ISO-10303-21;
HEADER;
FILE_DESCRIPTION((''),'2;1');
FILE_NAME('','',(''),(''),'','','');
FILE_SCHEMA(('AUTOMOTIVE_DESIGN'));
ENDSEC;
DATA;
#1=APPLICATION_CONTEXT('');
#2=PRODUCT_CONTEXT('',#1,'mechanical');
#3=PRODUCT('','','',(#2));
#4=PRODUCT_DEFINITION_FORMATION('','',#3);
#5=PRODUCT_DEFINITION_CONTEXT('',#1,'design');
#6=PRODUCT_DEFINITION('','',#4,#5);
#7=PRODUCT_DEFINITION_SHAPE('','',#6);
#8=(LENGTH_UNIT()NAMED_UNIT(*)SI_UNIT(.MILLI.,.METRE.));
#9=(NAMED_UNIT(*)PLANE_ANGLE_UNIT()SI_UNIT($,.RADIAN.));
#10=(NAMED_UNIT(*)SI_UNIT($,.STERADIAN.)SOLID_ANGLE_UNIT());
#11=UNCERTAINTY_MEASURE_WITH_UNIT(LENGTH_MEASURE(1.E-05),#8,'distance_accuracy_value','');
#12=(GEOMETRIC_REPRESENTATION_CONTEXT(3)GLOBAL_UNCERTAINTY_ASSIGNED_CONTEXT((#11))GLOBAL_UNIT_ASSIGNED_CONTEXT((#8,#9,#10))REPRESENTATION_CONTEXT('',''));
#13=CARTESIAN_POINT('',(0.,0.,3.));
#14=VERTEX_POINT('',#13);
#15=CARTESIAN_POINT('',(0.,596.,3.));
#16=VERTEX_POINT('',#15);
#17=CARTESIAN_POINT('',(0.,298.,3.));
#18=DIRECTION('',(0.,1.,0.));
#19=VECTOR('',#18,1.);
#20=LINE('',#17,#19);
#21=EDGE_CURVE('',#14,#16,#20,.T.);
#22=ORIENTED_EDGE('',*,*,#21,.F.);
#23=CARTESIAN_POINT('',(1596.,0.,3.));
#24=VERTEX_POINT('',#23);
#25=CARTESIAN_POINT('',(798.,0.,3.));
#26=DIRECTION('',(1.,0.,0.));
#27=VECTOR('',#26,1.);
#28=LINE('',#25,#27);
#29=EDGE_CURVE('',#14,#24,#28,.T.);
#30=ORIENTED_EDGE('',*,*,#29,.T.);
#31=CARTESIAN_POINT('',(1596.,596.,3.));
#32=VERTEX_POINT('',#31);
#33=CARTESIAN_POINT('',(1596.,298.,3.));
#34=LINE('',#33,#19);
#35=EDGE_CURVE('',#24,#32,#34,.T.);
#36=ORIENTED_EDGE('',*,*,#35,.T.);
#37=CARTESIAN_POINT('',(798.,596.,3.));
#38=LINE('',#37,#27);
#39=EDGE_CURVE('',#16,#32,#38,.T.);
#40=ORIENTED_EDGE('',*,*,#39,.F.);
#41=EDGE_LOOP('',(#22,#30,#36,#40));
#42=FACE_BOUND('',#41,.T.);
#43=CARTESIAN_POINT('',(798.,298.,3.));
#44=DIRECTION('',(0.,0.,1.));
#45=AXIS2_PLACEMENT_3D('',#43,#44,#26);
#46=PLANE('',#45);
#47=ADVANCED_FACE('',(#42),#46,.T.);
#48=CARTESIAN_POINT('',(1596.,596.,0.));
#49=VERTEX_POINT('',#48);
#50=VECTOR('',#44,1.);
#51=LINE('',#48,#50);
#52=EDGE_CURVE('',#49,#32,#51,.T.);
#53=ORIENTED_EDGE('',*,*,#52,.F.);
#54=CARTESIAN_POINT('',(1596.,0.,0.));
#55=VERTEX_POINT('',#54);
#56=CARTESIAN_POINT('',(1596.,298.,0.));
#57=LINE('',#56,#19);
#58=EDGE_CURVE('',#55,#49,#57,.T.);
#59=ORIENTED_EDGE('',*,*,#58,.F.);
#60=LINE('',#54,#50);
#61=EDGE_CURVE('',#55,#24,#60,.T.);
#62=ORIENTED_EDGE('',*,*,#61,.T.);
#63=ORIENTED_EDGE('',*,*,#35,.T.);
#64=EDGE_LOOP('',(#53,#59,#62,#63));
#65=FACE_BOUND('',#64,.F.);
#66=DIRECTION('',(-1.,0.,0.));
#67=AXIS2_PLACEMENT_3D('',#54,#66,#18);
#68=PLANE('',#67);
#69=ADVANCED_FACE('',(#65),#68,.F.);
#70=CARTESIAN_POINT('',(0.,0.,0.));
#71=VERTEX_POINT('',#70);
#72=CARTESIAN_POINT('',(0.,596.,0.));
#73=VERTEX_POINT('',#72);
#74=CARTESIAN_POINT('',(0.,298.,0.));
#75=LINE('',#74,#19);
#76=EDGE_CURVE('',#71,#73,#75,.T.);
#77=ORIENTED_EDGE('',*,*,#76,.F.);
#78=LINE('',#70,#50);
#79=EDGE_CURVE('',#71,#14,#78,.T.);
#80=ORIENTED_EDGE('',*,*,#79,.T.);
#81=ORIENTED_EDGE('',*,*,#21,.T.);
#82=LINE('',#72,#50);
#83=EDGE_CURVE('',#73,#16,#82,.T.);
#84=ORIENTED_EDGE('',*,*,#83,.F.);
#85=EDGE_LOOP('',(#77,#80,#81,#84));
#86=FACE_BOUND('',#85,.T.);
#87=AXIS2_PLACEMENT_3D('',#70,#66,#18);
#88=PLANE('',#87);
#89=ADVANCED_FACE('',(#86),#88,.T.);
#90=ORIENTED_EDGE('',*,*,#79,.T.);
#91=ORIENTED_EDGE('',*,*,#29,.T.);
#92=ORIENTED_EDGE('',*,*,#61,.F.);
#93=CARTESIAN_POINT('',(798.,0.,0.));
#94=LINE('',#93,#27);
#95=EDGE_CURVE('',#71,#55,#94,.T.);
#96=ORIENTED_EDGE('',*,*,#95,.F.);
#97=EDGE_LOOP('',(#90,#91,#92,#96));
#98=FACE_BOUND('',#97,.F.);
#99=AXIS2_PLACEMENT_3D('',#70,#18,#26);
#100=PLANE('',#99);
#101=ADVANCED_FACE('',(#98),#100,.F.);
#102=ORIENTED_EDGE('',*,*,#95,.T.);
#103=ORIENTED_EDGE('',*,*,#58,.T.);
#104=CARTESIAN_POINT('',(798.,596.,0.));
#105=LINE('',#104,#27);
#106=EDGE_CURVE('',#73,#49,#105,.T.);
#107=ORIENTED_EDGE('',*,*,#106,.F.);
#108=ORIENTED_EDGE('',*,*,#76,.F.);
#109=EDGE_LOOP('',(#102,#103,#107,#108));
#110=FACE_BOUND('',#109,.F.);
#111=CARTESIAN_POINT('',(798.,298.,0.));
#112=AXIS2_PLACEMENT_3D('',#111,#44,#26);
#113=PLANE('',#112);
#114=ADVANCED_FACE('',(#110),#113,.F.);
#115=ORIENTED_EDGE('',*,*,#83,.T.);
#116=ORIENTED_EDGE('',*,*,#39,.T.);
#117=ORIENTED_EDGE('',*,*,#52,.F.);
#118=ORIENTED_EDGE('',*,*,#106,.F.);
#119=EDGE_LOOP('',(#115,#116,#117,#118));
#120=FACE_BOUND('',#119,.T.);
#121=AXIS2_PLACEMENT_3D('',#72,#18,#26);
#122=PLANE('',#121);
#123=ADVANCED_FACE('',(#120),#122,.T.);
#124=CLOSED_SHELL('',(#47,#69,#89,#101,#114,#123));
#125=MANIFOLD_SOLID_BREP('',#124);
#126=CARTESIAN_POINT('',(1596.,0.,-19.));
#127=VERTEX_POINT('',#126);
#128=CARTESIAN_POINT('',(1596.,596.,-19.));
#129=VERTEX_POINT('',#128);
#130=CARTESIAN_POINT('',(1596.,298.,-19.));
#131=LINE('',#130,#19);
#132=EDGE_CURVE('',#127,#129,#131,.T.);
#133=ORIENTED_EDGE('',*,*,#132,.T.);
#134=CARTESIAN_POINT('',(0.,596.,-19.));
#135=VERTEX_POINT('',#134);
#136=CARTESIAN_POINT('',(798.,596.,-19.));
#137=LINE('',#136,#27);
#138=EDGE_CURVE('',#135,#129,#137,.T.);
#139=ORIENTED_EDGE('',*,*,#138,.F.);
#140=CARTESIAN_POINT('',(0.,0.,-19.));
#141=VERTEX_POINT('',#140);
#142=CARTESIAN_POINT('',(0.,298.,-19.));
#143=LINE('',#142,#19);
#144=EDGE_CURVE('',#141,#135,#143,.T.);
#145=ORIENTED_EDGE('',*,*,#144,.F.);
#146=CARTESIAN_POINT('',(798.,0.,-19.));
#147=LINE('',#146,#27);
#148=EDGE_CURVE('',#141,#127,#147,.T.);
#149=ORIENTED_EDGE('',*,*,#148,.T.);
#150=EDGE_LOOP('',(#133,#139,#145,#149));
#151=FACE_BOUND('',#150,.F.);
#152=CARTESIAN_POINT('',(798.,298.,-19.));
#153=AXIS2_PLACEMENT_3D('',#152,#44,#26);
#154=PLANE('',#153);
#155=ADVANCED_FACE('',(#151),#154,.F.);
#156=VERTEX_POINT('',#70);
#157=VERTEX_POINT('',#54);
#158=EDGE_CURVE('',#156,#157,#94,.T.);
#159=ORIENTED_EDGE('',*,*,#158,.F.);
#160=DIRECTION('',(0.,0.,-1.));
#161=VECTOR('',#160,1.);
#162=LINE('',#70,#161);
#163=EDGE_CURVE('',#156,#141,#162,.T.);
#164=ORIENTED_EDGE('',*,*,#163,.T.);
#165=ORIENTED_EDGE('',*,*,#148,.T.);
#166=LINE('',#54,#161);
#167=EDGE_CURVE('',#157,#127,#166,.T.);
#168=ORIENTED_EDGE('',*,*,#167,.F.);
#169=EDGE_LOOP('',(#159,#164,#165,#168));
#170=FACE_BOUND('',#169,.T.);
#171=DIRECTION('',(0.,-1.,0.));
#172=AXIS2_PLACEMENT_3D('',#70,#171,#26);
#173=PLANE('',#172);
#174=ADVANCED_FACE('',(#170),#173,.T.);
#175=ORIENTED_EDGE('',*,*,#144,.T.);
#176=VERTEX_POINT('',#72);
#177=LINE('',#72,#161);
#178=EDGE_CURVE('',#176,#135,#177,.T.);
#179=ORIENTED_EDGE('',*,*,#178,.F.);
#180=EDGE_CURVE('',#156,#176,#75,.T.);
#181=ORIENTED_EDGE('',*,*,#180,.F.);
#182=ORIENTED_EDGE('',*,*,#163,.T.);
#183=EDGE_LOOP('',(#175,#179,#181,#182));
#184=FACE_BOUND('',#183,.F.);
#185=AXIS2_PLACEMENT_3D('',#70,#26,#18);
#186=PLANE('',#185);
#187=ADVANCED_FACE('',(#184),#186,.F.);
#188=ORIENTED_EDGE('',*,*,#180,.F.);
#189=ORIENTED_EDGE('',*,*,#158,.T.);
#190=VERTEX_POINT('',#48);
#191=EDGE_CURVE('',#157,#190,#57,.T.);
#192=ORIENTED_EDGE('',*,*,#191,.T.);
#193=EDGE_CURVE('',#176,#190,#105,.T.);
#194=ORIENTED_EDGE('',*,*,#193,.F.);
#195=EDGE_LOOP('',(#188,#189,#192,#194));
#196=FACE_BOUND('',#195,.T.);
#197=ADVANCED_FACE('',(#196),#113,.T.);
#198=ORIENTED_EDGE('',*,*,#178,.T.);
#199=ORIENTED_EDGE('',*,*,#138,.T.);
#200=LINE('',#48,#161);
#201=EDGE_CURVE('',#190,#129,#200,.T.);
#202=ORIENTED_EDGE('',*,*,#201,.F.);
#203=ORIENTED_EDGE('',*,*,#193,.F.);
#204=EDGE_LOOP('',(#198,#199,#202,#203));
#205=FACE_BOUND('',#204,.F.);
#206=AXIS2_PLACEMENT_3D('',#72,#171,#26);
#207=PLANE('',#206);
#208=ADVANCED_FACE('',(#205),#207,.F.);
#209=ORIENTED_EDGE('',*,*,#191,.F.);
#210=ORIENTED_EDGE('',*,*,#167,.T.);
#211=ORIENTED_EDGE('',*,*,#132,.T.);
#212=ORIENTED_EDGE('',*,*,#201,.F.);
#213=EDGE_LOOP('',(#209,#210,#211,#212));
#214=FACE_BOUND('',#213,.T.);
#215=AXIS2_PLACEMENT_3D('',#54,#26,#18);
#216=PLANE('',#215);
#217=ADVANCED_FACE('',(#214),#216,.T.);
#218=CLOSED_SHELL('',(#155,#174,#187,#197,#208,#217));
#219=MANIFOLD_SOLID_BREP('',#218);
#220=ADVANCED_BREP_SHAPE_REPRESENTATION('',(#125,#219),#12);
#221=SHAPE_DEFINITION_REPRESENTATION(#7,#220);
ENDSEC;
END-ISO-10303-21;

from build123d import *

# Parameters (mm, degrees)
F0_W     = 1596
F0_H     = 596
F1_DEPTH = 19
F2_DEPTH = 3


with BuildPart() as f1:
    # F0 (on Top) → F1 (new body)
    with BuildSketch(Plane.XY):
        with Locations((798, 298)):
            Rectangle(F0_W, F0_H)
    extrude(amount=-F1_DEPTH)


with BuildPart() as f2:
    # F0 (on Top) → F2 (new body)
    with BuildSketch(Plane.XY):
        with Locations((798, 298)):
            Rectangle(F0_W, F0_H)
    extrude(amount=F2_DEPTH)


solid = Compound([f1.part, f2.part])
